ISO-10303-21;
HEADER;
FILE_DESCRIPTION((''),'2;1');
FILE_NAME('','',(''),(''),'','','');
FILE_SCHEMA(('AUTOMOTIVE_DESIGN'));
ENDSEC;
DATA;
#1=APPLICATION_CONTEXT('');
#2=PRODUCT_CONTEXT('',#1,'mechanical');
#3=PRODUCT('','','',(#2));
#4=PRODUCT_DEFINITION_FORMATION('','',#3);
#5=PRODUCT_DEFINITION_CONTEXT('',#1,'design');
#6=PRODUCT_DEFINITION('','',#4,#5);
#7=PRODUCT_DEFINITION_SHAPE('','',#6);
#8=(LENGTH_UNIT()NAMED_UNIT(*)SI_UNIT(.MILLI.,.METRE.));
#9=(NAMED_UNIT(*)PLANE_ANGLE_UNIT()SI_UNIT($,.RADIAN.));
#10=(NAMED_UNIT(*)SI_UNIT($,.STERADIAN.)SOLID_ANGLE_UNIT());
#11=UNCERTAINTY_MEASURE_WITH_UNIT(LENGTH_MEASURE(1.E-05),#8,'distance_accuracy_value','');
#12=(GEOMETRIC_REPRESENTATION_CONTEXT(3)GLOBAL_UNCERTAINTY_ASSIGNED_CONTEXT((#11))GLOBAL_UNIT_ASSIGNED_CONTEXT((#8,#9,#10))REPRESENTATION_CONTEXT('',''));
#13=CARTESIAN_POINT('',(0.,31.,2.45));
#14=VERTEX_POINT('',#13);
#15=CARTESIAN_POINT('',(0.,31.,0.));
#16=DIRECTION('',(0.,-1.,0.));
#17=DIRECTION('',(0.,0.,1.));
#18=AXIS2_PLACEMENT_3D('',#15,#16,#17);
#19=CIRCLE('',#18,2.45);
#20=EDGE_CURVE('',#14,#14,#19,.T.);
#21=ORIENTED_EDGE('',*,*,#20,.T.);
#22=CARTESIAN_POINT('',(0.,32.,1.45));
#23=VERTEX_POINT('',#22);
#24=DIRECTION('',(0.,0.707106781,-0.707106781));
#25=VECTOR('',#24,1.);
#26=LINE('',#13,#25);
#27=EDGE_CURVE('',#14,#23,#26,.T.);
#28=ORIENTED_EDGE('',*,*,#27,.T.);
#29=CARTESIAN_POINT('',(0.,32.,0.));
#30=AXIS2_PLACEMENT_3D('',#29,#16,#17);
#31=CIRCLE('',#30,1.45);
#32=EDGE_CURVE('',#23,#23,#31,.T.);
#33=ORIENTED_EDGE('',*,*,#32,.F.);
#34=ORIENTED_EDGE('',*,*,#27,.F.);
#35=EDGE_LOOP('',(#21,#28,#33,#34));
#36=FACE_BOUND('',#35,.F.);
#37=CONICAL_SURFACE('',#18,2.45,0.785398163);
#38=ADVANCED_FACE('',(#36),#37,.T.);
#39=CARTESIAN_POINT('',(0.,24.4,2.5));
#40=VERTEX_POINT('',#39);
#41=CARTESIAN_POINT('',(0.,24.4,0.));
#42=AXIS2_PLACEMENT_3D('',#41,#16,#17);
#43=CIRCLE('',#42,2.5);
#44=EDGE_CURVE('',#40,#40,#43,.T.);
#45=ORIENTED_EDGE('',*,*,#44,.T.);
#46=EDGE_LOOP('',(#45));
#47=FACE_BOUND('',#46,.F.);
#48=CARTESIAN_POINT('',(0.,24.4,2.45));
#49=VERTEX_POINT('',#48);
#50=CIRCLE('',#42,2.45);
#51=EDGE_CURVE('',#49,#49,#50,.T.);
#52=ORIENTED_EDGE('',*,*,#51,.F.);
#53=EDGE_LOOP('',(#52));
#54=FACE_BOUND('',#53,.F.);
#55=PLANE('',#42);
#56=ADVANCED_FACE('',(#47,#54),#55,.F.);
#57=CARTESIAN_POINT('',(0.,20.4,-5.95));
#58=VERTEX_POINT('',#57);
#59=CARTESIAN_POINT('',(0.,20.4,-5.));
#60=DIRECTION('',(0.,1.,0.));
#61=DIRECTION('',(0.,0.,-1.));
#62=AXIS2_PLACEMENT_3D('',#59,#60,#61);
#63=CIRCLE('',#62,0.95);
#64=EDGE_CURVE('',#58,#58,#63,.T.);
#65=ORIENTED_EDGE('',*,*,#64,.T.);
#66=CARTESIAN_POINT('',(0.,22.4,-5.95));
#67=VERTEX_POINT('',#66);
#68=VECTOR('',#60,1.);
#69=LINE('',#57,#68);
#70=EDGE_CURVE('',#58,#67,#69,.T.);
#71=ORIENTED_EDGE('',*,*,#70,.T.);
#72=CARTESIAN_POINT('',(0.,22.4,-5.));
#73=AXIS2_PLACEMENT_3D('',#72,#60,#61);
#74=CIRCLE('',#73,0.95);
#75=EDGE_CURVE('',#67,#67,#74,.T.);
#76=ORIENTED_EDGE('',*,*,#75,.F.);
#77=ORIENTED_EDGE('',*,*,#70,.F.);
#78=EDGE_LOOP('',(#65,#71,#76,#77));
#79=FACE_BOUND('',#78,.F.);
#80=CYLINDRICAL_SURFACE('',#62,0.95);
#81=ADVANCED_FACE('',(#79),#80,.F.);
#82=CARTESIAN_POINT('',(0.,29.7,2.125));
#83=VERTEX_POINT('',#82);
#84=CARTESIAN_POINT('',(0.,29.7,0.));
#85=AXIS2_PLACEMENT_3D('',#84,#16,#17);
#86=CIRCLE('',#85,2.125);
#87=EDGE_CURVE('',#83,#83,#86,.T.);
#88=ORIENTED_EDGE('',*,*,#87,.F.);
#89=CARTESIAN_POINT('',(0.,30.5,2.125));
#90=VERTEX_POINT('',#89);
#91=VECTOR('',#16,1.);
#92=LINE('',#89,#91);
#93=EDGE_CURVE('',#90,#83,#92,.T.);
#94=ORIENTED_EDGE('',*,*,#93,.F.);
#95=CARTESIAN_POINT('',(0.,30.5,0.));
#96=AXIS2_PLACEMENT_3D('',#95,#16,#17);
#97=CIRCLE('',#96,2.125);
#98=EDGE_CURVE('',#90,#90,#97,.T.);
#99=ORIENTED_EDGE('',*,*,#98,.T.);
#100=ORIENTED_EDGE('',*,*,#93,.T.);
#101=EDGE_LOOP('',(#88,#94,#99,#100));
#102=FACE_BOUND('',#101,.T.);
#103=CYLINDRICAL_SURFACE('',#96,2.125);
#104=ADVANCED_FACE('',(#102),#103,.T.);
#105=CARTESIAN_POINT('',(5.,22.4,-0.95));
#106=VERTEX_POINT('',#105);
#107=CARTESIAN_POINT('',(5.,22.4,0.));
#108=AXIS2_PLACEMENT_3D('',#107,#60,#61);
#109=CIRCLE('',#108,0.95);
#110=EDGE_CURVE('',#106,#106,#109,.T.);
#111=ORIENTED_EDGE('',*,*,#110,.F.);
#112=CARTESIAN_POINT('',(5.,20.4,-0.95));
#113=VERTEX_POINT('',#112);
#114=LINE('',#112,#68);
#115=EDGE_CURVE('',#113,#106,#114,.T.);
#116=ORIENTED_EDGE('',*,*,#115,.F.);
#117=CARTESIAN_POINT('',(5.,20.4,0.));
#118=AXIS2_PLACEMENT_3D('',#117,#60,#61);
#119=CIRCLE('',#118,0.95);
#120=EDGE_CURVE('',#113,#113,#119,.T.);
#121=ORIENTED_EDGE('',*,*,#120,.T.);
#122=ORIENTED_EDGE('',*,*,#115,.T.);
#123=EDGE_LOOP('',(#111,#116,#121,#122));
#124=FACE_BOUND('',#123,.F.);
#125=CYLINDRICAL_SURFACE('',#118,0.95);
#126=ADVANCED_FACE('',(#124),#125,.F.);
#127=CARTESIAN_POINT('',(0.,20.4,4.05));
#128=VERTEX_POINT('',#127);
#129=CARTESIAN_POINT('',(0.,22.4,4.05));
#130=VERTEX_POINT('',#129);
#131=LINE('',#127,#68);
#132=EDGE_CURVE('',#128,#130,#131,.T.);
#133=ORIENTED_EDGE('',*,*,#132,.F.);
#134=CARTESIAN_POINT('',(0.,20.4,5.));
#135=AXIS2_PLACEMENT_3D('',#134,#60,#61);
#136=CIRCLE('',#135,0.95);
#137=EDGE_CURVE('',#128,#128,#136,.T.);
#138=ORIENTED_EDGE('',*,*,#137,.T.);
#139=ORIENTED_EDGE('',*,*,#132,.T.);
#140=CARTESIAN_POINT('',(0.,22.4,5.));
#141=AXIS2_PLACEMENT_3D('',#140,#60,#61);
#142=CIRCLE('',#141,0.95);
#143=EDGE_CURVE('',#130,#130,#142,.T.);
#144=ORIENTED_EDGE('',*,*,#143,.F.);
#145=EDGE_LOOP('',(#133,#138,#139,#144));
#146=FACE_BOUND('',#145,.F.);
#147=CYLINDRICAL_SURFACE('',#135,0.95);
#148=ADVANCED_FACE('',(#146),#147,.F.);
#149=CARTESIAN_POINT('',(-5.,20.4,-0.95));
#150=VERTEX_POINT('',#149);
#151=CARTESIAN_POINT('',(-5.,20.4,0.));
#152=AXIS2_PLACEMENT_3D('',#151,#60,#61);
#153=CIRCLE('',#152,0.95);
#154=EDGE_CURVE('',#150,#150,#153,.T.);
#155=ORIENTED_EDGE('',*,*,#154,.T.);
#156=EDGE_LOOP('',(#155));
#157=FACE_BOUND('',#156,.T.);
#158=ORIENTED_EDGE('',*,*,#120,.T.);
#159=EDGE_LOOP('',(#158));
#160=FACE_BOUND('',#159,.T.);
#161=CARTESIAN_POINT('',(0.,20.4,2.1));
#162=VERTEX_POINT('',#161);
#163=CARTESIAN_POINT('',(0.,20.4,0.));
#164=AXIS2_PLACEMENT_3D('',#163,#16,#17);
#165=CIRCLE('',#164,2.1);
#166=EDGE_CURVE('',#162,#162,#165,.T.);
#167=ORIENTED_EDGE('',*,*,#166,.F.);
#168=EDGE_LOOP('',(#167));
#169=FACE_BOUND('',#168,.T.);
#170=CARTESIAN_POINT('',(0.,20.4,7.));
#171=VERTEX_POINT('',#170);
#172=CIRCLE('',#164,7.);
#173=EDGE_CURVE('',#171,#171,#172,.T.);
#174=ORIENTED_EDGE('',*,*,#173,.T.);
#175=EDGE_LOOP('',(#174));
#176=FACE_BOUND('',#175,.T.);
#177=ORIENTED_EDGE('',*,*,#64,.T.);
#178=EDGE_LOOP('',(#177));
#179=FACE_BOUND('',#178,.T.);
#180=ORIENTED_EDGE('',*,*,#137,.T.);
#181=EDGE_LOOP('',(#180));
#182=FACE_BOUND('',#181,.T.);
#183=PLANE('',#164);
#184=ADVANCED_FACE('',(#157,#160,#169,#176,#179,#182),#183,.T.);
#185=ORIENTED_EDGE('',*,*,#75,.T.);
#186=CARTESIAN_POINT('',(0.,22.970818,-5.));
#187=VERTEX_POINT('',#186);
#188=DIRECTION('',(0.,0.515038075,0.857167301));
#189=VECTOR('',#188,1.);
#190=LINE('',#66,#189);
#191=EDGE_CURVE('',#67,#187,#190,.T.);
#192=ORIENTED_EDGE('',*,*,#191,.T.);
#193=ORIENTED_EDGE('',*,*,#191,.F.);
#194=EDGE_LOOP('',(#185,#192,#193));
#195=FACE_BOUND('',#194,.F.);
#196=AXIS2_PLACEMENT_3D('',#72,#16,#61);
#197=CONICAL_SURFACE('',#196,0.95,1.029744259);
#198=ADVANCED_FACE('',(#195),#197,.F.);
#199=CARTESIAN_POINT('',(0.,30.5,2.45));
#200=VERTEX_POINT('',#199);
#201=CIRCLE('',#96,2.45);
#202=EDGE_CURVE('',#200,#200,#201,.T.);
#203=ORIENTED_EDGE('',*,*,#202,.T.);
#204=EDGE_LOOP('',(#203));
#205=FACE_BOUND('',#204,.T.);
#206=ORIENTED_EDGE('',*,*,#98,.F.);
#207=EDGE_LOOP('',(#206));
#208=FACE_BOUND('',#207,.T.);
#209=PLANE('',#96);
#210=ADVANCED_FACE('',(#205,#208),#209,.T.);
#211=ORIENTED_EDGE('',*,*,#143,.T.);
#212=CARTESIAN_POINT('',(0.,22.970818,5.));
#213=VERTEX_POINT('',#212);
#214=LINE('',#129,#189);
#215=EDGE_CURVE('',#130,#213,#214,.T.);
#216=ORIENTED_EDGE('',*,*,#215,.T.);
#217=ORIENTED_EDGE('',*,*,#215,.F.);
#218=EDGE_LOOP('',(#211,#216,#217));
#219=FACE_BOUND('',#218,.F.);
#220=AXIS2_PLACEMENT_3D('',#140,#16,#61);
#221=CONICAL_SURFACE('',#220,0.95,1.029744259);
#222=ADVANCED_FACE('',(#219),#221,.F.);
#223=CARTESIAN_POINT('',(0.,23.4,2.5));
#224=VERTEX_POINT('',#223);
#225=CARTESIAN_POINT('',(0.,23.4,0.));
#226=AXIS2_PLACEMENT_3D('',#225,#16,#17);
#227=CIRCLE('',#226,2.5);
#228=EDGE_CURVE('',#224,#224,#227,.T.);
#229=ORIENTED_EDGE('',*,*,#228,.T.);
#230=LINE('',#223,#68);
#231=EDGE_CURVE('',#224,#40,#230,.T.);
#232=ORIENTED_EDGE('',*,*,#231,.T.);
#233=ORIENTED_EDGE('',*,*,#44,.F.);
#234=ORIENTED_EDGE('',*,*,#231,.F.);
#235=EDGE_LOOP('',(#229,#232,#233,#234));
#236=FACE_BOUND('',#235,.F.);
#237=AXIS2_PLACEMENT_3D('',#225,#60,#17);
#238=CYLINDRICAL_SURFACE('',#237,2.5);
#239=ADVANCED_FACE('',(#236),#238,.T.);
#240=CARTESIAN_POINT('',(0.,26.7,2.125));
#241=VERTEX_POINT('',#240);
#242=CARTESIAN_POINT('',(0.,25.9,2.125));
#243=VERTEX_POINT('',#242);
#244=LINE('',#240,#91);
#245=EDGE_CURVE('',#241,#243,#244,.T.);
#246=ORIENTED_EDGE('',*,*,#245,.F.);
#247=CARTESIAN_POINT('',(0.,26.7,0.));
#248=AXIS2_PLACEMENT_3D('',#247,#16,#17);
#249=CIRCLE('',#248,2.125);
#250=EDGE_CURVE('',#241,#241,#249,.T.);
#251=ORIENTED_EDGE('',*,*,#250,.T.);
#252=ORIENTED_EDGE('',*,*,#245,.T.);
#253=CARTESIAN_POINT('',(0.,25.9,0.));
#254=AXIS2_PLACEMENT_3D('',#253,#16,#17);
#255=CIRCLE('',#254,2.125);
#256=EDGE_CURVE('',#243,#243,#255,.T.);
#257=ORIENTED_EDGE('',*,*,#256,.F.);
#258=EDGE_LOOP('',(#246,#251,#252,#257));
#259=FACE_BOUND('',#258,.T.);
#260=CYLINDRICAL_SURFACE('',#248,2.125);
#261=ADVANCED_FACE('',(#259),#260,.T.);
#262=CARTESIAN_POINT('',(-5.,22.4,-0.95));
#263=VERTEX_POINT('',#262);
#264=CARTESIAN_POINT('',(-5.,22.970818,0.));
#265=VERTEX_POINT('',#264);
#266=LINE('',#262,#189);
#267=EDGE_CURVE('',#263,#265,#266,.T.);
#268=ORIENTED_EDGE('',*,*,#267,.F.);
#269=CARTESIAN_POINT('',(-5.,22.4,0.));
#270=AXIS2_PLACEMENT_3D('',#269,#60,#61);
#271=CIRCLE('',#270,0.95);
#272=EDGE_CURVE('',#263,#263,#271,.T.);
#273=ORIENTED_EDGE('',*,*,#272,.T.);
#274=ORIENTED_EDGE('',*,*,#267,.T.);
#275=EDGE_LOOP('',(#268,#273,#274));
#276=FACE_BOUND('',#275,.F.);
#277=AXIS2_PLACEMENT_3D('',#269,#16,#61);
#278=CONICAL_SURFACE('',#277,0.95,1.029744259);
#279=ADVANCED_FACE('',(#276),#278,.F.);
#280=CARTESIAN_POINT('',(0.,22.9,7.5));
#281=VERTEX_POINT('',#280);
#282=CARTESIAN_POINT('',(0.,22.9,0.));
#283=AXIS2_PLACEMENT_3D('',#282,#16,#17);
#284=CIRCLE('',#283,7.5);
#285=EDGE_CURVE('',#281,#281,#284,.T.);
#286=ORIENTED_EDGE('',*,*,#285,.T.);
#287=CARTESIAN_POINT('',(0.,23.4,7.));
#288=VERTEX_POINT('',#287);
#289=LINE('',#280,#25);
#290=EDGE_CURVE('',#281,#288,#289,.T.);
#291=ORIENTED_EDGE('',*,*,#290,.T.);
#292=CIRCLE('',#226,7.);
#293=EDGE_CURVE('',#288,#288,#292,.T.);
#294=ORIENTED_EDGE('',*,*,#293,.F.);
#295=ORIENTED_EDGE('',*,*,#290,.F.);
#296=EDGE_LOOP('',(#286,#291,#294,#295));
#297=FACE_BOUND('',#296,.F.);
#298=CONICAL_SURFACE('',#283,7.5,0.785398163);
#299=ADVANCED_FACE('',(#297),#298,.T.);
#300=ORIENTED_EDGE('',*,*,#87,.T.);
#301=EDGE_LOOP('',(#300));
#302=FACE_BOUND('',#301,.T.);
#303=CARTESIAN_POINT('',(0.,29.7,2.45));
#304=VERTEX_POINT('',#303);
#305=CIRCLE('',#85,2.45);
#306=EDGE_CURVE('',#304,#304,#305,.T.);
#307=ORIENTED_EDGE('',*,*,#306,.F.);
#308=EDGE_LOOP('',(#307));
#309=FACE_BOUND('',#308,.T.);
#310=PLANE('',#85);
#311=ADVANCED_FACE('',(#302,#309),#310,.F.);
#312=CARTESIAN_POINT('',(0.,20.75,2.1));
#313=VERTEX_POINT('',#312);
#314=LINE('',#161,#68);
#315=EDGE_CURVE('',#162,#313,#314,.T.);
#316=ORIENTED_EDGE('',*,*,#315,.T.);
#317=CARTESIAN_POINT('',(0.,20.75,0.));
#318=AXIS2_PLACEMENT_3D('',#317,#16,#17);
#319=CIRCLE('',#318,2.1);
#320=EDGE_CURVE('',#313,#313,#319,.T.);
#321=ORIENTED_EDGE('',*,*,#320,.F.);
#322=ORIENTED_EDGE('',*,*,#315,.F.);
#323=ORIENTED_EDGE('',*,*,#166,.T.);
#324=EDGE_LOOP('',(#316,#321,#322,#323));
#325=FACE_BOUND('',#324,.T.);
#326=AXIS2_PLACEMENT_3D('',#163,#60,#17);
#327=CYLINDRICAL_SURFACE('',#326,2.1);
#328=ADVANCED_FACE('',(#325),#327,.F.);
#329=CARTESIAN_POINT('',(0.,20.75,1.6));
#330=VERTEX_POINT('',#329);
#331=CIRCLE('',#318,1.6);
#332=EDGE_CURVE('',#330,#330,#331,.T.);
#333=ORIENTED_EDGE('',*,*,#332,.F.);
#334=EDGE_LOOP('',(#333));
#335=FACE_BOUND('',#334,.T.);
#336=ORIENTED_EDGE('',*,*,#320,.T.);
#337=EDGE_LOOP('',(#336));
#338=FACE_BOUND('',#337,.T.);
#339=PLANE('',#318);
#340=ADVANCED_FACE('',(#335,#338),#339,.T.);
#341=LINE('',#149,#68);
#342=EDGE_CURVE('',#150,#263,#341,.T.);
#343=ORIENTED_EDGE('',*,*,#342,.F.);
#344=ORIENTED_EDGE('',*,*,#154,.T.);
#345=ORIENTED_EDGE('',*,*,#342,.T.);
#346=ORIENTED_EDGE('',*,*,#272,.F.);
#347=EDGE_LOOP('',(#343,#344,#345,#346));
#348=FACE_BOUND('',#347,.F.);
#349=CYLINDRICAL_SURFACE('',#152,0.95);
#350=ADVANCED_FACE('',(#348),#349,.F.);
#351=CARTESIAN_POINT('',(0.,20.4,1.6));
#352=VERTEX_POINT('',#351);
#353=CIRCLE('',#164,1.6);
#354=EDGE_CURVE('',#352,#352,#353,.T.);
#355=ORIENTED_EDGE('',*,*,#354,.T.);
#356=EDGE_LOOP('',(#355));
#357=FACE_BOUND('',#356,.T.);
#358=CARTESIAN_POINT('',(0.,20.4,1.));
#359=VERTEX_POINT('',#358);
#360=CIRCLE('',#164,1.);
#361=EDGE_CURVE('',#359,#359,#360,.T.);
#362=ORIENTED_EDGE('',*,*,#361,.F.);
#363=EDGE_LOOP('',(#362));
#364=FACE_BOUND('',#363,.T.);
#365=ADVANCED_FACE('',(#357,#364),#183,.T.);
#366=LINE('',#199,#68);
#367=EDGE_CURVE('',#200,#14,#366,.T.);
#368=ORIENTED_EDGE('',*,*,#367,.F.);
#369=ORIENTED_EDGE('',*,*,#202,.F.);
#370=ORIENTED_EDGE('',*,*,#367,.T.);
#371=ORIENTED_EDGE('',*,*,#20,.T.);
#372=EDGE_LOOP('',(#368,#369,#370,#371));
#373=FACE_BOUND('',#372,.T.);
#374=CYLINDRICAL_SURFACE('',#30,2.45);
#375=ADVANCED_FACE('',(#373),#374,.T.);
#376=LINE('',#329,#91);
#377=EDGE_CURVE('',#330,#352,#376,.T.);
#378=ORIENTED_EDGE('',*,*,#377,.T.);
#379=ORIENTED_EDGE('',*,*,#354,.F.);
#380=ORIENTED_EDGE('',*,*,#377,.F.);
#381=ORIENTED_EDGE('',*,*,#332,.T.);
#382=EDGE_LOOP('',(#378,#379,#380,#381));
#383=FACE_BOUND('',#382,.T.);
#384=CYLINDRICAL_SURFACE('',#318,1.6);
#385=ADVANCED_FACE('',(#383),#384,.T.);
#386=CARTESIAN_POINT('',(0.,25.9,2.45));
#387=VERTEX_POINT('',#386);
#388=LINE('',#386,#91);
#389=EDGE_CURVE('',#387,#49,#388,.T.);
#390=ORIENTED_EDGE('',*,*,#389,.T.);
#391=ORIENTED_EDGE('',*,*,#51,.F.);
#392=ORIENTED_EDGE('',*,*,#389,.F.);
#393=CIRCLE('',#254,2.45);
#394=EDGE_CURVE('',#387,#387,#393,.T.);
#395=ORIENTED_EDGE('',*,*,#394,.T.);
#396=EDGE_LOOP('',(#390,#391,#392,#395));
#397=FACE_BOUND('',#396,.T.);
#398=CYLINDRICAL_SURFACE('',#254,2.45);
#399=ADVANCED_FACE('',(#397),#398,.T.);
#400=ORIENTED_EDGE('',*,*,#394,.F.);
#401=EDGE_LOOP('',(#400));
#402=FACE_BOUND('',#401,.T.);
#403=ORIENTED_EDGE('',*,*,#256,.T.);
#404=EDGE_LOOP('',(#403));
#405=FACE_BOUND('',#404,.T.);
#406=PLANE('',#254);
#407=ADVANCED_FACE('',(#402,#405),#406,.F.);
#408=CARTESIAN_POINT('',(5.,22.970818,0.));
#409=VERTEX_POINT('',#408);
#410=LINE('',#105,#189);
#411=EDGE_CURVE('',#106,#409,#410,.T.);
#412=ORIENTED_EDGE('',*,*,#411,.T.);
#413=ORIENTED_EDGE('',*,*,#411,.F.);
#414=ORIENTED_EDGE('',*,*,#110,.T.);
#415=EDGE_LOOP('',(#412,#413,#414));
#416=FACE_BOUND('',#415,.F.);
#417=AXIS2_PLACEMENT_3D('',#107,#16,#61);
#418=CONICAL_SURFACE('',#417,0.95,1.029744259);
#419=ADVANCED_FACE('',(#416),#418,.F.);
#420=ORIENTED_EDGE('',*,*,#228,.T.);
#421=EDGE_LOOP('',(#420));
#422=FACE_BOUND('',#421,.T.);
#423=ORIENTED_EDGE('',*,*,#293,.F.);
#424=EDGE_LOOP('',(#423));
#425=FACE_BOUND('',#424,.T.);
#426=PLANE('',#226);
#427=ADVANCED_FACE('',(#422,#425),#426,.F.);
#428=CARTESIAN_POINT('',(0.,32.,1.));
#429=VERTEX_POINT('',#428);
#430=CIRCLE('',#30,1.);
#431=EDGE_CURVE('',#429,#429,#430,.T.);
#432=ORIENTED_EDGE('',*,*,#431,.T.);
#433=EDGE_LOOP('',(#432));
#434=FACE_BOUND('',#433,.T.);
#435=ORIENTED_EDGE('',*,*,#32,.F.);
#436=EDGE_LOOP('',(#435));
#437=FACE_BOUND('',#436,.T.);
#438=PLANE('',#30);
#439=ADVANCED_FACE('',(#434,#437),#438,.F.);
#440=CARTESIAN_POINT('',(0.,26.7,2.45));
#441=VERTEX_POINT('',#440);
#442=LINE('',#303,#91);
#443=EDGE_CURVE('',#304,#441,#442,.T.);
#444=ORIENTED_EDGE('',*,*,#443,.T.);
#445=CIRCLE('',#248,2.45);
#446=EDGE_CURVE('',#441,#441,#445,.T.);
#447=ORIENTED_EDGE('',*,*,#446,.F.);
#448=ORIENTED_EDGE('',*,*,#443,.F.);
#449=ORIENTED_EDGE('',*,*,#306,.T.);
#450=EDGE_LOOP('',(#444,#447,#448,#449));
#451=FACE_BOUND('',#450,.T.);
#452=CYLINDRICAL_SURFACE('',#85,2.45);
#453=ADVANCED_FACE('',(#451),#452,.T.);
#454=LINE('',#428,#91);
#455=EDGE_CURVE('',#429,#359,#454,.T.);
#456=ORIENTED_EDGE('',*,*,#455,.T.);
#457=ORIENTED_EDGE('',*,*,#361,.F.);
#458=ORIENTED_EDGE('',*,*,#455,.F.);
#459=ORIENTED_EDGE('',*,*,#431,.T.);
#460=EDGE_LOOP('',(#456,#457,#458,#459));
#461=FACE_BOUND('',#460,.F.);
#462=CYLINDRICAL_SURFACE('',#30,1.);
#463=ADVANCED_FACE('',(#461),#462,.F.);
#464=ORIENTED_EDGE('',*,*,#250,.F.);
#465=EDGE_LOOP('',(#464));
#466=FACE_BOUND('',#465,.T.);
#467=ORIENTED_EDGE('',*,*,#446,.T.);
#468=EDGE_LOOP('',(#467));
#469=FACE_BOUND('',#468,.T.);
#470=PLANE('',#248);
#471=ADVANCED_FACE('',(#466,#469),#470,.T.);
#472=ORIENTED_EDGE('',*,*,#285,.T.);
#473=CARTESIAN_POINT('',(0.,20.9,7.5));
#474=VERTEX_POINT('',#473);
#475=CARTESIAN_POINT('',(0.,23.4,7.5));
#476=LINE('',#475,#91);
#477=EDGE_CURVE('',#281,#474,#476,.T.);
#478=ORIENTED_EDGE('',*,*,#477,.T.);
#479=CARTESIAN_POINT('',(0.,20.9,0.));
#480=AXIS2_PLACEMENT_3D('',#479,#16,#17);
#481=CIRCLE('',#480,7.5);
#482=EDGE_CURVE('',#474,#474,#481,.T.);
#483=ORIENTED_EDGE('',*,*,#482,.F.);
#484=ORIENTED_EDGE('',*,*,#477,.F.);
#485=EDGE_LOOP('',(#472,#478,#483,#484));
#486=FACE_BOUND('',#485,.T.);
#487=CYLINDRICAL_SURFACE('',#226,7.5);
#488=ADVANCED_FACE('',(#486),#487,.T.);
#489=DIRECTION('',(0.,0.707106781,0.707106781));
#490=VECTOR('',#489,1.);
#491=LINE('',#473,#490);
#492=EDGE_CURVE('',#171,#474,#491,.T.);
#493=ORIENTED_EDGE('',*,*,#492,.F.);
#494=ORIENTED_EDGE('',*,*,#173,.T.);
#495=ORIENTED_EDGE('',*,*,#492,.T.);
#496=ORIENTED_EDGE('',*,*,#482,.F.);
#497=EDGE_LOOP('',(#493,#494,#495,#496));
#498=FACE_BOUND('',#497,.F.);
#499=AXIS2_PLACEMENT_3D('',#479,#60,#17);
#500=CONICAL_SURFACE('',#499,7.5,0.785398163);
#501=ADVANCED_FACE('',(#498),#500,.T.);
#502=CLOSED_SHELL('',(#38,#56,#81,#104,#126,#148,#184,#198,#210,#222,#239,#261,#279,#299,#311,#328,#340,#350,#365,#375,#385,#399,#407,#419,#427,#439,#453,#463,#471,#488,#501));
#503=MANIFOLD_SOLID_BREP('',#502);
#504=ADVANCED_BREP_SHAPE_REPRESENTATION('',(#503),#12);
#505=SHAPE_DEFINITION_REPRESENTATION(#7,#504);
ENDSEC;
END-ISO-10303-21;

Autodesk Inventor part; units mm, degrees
sketch "Sketch1" plane through (0, 0, 0) normal (1, 0, 0) x (0, 1, 0)
  line L0 (20.75, 2.1) -> (20.75, 1.7)
  line L1 (20.4, 1.6) -> (20.4, 0)
  line L2 (31, 0) -> (20.4, 0)
  line L3 (23.4, 7.5) -> (20.4, 7.5)
  line L4 (20.4, 7.5) -> (20.4, 2.2)
  line L5 (20.75, 1.95) -> (20.75, 1.7)
  line L6 (20.75, 1.7) -> (20.75, 1.65)
  line L7 (20.4, 2.2) -> (20.4, 2.15)
  line L8 (20.75, 1.65) -> (20.75, 1.6)
  line L9 (20.75, 1.6) -> (20.4, 1.6)
  line L10 (20.4, 2.15) -> (20.4, 2.1)
  line L11 (20.4, 2.1) -> (20.75, 2.1)
  line L12 (31, 0) -> (32, 0)
  line L13 (32, 0) -> (32, 2.45)
  line L14 (32, 2.45) -> (30.5, 2.45)
  line L15 (30.5, 2.45) -> (30.5, 2.125)
  line L16 (30.5, 2.125) -> (29.7, 2.125)
  line L17 (29.7, 2.125) -> (29.7, 2.45)
  line L18 (29.7, 2.45) -> (26.7, 2.45)
  line L19 (26.7, 2.45) -> (26.7, 2.125)
  line L20 (26.7, 2.125) -> (25.9, 2.125)
  line L21 (25.9, 2.125) -> (25.9, 2.45)
  line L22 (25.9, 2.45) -> (24.4, 2.45)
  line L23 (23.4, 2.5) -> (24.4, 2.5)
  line L24 (24.4, 2.5) -> (24.4, 2.45)
  line L25 (23.4, 2.5) -> (23.4, 7.5)
  line L26 (32, 2.45) -> (31, 2.45)
  line L27 (32, 2.45) -> (32, 1.45)
  point P0 (0, 0)
  dimension "d305" = 3
  dimension "d306" = 5.3
  dimension "d326" = 0.05
  dimension "d329" = 1.6
  dimension "d330" = 0.5
  dimension "d331" = 0.35
  dimension "d344" = 1
  dimension "d345" = 1.5
  dimension "d346" = 0.325
  dimension "d347" = 0.8
  dimension "d348" = 3
  dimension "d349" = 0.325
  dimension "d350" = 0.8
  dimension "d351" = 2.45
  dimension "d353" = 1
  dimension "d354" = 1
  dimension "d355" = 1
revolve "Revolution1" add sketch "Sketch1" angle 360 about axis through (0, 31, 0) along (0, -1, 0)
sketch "Sketch11" plane through (0, 20.4, 0) normal (0, -1, 0) x (1, 0, 0)
  line L0 (0, 0) -> (0, -5)
  line L1 (0, 0) -> (-5, 0)
  line L2 (0, 0) -> (0, 5)
  line L3 (0, 0) -> (5, 0)
  dimension "d309" = 5
  dimension "d310" = 5
  dimension "d311" = 5
  dimension "d312" = 5
hole "Hole9" at (0, 20.4, -5) at (-5, 20.4, 0) at (0, 20.4, 5) at (5, 20.4, 0) direction (0, 1, 0) diameter 1.9 depth 2 tip angle 118
chamfer "Chamfer6" distance 0.5 angle 45 2 edges at (0, 23.4, -7.5) (0, 20.4, -7.5)
sketch "Sketch12" plane through (0, 20.4, 0) normal (0, -1, 0) x (1, 0, 0)
  circle A0 centre (0, 0) radius 0.9439
  line L0 (0, 0) -> (-21.4854, 21.4854)
  line L1 (0, 0) -> (30.3849, 0) construction
  dimension "d324" = 135
ref_plane "Work Plane6" through (0, 20.4, 0) normal (0, -1, 0) x (1, 0, 0)
ref_plane "Work Plane7" through (0, 20.75, 0) normal (0, -1, 0) x (1, 0, 0)
thread "Thread17" size "M2x0.4" class "6H" standard "ANSI Metric M Profile" full length
thread "Thread18" size "M2x0.4" class "6H" standard "ANSI Metric M Profile" full length
thread "Thread19" size "M2x0.4" class "6H" standard "ANSI Metric M Profile" full length
thread "Thread20" size "M2x0.4" class "6H" standard "ANSI Metric M Profile" full length
chamfer "Chamfer8" distance 1 angle 45 1 edges at (0, 32, -2.45)
sketch "Sketch13" plane through (0, 32, 0) normal (0, 1, 0) x (1, 0, 0)
  circle A0 centre (0, 0) radius 1
  dimension "d359" = 2
hole "Hole10" at (0, 32, 0) direction (0, -1, 0) diameter 2 end through all
ref_plane "Work Plane8" through (0, 26.3, 0) normal (0, 1, 0) x (1, 0, 0)
ref_plane "Work Plane9" through (0, 30.1, 0) normal (0, 1, 0) x (1, 0, 0)
properties part number "None_Magnet_Extender_Split_Top" material "Aluminum 6061"
